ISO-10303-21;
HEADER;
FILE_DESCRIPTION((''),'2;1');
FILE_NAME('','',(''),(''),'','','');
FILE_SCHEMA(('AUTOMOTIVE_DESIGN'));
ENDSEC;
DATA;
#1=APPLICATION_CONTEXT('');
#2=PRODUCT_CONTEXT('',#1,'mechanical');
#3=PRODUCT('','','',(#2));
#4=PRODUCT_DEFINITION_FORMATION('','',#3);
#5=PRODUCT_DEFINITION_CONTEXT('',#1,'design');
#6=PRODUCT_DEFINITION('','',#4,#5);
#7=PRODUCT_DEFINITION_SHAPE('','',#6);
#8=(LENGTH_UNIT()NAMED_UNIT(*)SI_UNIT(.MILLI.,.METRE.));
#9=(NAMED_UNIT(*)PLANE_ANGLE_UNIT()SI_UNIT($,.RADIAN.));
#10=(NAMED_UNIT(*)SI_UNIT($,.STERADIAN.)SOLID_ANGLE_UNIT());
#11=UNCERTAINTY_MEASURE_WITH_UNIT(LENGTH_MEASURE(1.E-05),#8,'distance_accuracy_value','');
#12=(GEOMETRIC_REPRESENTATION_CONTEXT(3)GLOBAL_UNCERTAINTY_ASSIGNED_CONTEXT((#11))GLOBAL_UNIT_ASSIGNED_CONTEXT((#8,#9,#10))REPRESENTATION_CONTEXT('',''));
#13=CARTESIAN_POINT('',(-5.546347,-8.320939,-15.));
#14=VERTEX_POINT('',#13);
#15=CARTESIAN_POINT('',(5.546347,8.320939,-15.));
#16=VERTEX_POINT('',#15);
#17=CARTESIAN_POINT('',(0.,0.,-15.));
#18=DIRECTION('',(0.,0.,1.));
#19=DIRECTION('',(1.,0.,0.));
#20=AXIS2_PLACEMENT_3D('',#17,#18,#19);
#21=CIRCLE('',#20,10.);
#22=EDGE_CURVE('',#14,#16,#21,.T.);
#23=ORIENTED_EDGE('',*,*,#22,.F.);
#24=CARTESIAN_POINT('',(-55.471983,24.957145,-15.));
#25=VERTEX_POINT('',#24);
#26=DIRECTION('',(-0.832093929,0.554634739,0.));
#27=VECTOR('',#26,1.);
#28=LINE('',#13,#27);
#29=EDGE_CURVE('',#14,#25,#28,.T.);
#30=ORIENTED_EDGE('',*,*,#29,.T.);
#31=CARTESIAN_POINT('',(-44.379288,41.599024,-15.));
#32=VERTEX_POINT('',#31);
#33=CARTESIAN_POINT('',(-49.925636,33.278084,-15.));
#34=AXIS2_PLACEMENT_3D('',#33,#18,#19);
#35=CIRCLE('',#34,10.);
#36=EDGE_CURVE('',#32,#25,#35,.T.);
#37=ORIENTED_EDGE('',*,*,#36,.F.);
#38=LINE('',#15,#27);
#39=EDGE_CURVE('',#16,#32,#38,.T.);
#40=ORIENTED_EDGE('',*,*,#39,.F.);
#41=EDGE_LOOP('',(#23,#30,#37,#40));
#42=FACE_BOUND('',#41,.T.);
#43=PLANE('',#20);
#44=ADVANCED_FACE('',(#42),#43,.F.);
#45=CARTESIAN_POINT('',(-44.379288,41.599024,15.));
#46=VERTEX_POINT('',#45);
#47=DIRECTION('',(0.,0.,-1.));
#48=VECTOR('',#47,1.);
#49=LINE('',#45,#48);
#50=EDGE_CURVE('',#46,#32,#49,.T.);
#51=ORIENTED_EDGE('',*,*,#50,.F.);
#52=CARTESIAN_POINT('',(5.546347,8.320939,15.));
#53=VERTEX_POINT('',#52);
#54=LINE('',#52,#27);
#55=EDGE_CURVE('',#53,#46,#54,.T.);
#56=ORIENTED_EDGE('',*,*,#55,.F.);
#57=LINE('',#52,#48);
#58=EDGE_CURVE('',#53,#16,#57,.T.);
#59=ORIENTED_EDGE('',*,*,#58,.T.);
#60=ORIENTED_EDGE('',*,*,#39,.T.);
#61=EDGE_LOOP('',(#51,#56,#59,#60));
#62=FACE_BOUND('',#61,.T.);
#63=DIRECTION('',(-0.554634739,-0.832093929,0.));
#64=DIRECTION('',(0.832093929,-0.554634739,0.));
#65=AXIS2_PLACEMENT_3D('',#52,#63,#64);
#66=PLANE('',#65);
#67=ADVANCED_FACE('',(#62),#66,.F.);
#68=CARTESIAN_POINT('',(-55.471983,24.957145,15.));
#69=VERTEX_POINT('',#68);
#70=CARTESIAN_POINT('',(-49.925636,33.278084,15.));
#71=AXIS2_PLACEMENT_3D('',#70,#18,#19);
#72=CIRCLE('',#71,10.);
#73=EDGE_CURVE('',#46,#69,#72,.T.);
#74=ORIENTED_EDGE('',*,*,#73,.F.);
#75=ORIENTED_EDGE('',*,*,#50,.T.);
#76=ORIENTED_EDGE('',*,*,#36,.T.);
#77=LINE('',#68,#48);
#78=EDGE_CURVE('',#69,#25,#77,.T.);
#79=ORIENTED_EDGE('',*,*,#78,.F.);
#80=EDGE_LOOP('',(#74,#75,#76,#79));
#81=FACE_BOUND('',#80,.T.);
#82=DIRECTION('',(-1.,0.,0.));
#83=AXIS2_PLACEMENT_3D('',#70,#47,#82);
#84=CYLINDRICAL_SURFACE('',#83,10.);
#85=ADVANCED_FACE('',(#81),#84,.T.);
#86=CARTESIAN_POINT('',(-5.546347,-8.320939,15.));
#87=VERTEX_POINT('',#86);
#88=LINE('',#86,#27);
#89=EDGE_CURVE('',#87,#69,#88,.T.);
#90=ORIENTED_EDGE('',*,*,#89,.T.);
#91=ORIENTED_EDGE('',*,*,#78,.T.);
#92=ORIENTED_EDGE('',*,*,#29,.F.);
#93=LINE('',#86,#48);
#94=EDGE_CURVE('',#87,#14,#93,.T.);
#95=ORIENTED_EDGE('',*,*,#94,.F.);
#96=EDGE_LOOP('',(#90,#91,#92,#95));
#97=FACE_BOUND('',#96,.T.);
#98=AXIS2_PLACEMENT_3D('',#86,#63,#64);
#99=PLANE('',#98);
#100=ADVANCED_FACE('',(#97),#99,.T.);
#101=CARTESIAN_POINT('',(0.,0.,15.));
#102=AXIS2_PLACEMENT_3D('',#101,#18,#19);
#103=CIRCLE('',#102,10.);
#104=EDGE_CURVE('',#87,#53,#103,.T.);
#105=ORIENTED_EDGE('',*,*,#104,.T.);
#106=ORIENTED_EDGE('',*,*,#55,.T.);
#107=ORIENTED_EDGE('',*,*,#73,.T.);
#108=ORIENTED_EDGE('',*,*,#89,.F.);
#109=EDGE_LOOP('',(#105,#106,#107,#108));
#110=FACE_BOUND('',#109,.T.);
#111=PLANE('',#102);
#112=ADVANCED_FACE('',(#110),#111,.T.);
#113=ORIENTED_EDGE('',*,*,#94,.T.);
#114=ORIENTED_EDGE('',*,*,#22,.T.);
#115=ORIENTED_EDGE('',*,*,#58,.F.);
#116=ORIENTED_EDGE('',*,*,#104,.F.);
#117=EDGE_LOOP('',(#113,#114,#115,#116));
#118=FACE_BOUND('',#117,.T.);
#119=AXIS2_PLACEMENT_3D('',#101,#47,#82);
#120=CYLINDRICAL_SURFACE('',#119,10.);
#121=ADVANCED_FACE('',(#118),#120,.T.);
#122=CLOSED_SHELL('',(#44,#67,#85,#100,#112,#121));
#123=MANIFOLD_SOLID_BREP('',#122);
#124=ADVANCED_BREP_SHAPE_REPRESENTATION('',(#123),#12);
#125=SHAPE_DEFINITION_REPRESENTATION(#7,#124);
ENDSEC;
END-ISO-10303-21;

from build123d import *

# Parameters (mm, degrees)
EXTRUDE_1_DEPTH = 15


with BuildPart() as part:
    # 草图2 → 凸台-拉伸1 (new, symmetric)
    with BuildSketch(Plane.XY):
        with BuildLine():
            Line((-5.546347385, -8.320939291), (-55.47198313, 24.957145021))
            ThreePointArc((-55.47198313, 24.957145021), (-58.246575036, 38.824431697), (-44.37928836, 41.599023602))
            Line((-44.37928836, 41.599023602), (5.546347385, 8.320939291))
            ThreePointArc((5.546347385, 8.320939291), (8.320939291, -5.546347385), (-5.546347385, -8.320939291))
        make_face()
    extrude(amount=EXTRUDE_1_DEPTH, both=True)


solid = part.part
